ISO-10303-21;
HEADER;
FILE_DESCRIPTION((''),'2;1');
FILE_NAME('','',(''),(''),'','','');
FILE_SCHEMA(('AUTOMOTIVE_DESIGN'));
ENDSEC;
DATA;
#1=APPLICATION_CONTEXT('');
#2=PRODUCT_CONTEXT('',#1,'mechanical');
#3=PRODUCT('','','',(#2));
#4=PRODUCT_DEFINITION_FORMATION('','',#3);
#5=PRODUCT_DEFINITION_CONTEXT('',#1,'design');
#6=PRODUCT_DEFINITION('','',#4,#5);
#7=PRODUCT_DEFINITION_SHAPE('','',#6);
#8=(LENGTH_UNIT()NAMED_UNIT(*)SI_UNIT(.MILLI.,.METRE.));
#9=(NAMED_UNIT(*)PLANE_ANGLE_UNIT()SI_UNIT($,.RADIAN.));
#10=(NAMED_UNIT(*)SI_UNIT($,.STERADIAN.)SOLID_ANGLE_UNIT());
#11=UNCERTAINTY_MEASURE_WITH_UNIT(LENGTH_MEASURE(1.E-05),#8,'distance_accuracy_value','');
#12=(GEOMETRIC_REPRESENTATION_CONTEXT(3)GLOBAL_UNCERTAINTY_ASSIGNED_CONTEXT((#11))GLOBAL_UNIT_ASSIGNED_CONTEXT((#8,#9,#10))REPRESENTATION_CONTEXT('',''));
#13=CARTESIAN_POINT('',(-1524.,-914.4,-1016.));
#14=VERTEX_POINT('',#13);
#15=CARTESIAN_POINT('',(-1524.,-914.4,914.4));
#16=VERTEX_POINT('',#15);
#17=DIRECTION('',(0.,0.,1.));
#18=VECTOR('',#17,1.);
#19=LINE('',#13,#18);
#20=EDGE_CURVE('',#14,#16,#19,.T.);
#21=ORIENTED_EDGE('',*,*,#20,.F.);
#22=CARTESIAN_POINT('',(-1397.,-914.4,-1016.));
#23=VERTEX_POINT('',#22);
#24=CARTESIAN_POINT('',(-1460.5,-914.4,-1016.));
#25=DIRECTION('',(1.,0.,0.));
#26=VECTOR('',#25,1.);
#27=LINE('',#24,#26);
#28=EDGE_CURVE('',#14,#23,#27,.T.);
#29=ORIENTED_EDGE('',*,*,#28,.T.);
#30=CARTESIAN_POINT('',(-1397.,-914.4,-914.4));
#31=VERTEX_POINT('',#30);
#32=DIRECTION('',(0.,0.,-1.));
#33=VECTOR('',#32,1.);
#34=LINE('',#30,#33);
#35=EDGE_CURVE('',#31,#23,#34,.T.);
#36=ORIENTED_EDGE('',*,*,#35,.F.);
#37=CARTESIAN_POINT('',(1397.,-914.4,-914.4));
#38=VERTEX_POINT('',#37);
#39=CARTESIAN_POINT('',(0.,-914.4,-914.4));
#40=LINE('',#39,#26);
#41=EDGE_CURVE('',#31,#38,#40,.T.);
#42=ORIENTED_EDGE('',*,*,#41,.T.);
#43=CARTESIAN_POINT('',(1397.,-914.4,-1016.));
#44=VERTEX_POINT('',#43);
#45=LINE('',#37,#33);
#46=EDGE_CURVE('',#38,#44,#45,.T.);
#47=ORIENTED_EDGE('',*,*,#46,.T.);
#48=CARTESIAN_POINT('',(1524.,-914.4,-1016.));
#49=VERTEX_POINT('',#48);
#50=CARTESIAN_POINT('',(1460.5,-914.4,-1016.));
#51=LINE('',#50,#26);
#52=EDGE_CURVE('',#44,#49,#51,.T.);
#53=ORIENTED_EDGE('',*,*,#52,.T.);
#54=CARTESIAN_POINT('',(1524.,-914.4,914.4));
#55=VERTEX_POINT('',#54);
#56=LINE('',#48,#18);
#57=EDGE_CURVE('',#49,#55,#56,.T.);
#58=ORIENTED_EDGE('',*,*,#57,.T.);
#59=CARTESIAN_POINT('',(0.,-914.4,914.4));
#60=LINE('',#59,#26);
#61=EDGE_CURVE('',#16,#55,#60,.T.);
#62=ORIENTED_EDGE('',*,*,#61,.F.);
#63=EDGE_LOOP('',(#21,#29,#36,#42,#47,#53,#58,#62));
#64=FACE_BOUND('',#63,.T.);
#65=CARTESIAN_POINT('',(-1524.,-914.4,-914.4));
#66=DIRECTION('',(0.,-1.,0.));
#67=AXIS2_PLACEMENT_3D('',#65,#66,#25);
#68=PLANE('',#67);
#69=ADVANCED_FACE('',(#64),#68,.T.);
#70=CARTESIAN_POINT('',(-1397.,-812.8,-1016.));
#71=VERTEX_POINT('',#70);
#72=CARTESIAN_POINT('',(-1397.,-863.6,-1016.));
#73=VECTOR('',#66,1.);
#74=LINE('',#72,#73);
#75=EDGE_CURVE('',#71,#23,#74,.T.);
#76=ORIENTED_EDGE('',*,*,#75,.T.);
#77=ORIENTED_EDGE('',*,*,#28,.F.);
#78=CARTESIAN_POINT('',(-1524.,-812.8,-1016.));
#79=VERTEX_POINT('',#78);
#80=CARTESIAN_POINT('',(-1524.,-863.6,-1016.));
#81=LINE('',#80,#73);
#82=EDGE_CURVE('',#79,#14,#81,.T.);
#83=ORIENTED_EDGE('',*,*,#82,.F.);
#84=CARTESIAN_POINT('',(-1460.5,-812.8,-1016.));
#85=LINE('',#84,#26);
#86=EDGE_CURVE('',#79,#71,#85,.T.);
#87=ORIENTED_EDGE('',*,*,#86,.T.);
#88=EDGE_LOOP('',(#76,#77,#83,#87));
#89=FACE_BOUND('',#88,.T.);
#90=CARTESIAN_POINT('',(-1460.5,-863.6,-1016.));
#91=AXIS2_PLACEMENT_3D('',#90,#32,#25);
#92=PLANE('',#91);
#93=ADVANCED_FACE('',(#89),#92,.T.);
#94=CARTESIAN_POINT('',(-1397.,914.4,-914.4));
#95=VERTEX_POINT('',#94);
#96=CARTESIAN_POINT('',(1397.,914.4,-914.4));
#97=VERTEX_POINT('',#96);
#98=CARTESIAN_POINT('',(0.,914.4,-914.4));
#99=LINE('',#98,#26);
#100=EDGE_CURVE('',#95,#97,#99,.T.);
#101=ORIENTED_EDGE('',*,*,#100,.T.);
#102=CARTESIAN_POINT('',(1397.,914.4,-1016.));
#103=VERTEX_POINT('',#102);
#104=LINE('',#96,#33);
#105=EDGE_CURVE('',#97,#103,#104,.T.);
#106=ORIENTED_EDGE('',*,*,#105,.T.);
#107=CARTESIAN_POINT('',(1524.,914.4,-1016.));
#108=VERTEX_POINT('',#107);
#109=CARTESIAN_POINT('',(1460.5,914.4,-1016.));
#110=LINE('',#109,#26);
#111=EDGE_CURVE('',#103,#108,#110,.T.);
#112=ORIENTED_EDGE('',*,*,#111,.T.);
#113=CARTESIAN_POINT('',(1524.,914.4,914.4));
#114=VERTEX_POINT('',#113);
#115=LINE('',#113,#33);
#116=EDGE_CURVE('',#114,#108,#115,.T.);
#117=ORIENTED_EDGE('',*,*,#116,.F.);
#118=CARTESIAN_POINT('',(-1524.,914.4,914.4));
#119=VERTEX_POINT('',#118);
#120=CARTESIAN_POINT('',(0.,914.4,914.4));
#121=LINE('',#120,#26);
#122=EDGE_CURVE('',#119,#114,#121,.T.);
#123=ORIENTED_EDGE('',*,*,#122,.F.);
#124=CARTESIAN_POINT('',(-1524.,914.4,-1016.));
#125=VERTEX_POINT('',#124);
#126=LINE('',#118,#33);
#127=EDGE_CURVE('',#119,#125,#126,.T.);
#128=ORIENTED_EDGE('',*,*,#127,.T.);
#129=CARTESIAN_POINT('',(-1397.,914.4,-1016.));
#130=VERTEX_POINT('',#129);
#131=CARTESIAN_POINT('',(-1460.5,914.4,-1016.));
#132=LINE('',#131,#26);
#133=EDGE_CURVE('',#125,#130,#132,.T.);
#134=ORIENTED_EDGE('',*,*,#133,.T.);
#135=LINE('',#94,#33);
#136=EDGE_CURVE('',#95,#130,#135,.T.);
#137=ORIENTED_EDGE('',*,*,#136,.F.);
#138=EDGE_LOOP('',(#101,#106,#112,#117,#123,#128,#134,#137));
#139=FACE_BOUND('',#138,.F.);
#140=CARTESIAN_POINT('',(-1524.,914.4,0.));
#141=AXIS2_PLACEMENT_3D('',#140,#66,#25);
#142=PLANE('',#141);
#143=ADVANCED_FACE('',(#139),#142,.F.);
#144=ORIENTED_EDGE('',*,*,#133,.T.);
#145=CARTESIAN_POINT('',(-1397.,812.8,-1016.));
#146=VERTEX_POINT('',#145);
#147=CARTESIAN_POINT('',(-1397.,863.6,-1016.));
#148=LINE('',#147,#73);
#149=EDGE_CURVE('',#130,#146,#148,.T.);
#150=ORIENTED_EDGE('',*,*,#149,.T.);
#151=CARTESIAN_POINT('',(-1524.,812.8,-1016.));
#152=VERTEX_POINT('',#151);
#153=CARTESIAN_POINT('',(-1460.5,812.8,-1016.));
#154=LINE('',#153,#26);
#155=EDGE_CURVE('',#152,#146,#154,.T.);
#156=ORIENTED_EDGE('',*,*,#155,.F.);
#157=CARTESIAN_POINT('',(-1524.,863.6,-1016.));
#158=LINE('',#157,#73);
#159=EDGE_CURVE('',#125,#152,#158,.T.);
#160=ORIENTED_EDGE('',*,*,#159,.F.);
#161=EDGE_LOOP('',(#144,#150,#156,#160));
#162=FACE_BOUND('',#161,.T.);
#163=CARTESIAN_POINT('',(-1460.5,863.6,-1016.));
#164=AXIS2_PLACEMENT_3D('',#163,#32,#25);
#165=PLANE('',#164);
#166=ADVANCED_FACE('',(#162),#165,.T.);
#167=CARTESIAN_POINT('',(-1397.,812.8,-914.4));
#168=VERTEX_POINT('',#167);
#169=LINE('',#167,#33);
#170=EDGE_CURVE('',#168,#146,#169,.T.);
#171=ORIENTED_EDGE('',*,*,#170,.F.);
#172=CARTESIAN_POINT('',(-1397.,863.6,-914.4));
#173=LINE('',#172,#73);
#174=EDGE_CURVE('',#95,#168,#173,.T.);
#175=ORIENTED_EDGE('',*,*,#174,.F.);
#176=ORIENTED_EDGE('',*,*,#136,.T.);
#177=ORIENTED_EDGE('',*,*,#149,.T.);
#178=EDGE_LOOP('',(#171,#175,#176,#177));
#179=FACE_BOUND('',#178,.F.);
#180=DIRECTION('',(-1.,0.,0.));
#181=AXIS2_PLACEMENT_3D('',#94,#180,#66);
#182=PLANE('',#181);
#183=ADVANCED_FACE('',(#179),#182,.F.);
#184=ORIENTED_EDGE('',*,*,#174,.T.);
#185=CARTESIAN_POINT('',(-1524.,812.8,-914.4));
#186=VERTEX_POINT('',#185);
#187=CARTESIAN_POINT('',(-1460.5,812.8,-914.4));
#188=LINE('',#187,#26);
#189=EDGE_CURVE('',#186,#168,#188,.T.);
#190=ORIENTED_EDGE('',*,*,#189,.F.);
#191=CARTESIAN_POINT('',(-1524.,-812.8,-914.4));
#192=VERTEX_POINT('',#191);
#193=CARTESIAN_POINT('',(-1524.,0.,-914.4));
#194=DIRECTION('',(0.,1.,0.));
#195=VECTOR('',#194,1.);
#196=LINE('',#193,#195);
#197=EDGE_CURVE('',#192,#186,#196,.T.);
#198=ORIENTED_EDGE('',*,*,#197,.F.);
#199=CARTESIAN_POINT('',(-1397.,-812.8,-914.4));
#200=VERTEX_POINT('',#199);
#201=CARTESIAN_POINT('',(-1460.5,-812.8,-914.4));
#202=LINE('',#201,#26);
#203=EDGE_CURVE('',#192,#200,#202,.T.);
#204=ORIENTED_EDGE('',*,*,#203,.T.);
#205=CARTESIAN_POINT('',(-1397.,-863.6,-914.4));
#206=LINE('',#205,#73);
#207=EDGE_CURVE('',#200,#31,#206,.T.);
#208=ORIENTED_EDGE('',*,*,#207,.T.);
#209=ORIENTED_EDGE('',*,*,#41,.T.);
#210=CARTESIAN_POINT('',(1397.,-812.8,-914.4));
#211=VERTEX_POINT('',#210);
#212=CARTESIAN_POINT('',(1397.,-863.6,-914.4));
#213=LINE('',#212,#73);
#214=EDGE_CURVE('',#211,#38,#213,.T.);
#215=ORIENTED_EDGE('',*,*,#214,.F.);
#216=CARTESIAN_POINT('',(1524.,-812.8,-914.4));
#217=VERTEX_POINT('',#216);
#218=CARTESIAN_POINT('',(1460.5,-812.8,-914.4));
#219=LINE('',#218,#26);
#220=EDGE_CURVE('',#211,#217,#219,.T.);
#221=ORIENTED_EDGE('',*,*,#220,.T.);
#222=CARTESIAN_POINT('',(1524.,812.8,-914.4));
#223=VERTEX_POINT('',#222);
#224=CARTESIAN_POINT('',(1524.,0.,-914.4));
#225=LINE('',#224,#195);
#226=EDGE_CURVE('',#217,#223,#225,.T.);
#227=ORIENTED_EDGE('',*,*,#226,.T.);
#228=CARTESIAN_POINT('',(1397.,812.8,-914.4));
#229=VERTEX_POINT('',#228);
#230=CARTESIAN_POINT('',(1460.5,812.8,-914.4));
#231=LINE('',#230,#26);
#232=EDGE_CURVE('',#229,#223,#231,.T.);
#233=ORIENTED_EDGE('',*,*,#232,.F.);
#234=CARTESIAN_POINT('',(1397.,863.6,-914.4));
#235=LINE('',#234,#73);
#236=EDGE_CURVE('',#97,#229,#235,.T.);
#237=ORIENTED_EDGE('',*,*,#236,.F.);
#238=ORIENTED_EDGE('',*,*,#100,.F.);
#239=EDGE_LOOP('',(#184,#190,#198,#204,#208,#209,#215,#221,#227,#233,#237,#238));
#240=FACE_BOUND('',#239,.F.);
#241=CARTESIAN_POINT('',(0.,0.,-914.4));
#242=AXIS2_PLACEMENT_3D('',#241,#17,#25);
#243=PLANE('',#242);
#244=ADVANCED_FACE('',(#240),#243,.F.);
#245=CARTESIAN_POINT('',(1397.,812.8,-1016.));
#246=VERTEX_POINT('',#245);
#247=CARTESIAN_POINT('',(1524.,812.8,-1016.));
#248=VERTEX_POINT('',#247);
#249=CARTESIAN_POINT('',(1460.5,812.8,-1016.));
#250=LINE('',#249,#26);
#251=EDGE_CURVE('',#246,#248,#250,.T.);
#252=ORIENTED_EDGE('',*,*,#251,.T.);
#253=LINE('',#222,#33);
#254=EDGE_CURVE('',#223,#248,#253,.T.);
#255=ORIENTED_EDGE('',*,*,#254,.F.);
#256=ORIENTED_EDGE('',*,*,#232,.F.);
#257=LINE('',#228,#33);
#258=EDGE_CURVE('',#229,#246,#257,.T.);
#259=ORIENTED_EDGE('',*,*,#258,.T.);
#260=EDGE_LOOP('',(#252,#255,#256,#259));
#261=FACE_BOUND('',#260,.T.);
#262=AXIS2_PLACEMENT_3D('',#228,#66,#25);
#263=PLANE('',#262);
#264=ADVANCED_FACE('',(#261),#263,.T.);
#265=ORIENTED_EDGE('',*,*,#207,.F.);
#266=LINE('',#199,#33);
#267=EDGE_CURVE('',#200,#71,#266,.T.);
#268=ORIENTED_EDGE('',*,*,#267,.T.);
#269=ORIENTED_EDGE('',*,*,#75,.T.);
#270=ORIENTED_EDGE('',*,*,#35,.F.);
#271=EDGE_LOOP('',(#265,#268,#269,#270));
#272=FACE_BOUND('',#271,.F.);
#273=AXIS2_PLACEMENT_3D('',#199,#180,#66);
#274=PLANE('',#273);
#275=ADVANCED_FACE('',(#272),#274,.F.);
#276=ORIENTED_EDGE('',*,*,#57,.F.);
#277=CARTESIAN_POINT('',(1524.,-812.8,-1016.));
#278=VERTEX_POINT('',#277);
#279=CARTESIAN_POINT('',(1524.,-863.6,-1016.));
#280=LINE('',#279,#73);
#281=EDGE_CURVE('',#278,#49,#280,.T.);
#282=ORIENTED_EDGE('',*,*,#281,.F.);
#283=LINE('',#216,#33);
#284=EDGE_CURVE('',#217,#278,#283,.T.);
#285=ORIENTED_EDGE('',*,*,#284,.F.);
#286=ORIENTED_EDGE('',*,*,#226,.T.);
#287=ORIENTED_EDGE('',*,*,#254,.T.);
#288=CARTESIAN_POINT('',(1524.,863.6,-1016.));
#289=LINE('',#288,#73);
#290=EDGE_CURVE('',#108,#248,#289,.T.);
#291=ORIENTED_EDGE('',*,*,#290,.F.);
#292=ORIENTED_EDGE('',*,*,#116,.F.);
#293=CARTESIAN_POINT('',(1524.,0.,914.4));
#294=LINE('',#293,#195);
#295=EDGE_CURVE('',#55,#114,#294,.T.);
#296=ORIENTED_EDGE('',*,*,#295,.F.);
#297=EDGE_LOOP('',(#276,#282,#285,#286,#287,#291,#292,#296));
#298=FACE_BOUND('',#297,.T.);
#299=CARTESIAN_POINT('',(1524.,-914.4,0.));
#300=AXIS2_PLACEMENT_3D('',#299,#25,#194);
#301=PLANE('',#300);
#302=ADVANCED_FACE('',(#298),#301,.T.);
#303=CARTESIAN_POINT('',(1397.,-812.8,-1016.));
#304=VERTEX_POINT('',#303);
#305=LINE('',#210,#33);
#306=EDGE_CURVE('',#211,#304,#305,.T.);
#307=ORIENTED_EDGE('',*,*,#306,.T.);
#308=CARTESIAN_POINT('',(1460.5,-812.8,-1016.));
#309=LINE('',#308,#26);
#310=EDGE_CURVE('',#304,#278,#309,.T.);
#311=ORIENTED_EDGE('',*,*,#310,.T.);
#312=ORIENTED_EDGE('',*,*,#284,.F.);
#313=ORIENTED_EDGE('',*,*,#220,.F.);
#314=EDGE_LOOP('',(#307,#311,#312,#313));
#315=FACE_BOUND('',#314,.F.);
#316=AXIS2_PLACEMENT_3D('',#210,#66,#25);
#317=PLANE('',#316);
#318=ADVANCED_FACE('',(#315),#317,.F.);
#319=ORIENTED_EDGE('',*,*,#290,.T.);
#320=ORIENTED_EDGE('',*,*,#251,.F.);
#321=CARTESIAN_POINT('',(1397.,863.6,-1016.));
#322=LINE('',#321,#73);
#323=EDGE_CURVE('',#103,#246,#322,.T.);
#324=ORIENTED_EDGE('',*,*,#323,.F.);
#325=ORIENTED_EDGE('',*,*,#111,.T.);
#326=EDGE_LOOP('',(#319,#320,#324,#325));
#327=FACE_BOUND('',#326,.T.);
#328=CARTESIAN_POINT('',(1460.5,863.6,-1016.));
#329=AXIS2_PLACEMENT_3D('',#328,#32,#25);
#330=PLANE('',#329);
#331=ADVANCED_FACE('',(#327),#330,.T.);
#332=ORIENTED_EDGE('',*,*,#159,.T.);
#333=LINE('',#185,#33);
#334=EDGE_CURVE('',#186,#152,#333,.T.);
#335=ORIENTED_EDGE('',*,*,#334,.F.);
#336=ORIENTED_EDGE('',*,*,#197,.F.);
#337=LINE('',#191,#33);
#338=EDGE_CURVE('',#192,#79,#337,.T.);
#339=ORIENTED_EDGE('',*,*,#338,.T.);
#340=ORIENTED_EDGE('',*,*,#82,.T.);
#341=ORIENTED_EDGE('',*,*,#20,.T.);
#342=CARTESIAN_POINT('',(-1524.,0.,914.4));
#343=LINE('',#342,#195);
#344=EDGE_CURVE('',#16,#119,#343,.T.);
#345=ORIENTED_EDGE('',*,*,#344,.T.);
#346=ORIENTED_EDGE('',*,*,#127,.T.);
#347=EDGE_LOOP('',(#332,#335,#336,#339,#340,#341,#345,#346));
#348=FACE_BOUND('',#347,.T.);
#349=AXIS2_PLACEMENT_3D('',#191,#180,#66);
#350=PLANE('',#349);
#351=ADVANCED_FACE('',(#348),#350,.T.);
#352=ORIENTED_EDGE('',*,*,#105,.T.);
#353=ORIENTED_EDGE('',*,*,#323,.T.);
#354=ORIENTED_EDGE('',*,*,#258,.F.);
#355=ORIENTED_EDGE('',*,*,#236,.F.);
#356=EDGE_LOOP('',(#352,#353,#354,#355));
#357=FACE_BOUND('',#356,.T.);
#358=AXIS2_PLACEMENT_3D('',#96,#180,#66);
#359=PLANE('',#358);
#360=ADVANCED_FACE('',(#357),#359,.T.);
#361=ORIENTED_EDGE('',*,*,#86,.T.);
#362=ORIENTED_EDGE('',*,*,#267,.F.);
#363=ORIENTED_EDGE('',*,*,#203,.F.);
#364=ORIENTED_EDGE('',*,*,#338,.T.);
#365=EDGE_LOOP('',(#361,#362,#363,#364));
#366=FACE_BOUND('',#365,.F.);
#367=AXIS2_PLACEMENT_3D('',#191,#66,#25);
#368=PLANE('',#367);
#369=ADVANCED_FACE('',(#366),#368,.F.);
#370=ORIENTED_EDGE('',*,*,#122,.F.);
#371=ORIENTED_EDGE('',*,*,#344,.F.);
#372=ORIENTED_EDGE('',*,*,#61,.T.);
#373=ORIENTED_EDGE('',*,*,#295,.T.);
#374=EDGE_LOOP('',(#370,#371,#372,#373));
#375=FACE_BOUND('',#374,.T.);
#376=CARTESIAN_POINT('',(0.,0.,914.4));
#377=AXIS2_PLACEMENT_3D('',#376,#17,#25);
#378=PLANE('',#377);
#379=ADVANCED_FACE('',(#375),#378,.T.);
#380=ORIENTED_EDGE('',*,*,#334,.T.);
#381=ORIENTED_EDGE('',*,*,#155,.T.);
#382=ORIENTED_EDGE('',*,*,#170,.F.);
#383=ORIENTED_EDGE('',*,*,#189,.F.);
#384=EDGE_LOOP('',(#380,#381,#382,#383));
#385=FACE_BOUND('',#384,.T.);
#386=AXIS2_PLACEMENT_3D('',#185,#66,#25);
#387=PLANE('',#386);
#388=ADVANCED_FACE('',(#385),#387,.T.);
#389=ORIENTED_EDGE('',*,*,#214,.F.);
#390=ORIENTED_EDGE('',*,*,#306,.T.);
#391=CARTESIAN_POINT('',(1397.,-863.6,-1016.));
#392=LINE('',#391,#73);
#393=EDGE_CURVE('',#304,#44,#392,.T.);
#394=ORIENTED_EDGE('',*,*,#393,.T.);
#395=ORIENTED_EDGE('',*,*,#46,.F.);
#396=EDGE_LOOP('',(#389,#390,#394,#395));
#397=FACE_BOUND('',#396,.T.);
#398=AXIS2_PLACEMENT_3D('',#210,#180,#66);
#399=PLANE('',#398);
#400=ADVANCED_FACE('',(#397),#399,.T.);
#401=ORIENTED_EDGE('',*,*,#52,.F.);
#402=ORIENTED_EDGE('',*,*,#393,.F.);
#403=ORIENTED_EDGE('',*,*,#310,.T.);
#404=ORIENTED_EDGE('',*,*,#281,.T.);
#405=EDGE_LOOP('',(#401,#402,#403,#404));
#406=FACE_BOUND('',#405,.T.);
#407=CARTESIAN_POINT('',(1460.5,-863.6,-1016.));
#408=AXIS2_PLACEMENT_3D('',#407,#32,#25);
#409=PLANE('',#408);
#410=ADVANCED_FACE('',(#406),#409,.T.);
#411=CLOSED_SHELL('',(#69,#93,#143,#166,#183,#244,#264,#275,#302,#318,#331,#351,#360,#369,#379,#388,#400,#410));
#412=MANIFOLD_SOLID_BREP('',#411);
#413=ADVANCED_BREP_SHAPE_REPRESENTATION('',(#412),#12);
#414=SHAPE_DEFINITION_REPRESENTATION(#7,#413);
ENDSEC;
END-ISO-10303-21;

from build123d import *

# Parameters (mm, degrees)
F0_W     = 3048
F0_H     = 1828.8
F1_DEPTH = 914.4
F2_W     = 127
F2_H     = 101.6
F3_DEPTH = 101.6


with BuildPart() as f1:
    # F0 (on Top) → F1 (new body, symmetric)
    with BuildSketch(Plane.XY):
        Rectangle(F0_W, F0_H)
    extrude(amount=F1_DEPTH, both=True)

    # F2 (on face) → F3 (join)
    with BuildSketch(Plane(origin=(0, 0, -914.4), x_dir=(1, 0, 0), z_dir=(0, 0, -1))):
        with Locations((-1460.5, 863.6)):
            Rectangle(F2_W, F2_H)
        with Locations((-1460.5, -863.6)):
            Rectangle(F2_W, F2_H)
        with Locations((1460.5, -863.6)):
            Rectangle(F2_W, F2_H)
        with Locations((1460.5, 863.6)):
            Rectangle(F2_W, F2_H)
    extrude(amount=F3_DEPTH)


solid = f1.part
